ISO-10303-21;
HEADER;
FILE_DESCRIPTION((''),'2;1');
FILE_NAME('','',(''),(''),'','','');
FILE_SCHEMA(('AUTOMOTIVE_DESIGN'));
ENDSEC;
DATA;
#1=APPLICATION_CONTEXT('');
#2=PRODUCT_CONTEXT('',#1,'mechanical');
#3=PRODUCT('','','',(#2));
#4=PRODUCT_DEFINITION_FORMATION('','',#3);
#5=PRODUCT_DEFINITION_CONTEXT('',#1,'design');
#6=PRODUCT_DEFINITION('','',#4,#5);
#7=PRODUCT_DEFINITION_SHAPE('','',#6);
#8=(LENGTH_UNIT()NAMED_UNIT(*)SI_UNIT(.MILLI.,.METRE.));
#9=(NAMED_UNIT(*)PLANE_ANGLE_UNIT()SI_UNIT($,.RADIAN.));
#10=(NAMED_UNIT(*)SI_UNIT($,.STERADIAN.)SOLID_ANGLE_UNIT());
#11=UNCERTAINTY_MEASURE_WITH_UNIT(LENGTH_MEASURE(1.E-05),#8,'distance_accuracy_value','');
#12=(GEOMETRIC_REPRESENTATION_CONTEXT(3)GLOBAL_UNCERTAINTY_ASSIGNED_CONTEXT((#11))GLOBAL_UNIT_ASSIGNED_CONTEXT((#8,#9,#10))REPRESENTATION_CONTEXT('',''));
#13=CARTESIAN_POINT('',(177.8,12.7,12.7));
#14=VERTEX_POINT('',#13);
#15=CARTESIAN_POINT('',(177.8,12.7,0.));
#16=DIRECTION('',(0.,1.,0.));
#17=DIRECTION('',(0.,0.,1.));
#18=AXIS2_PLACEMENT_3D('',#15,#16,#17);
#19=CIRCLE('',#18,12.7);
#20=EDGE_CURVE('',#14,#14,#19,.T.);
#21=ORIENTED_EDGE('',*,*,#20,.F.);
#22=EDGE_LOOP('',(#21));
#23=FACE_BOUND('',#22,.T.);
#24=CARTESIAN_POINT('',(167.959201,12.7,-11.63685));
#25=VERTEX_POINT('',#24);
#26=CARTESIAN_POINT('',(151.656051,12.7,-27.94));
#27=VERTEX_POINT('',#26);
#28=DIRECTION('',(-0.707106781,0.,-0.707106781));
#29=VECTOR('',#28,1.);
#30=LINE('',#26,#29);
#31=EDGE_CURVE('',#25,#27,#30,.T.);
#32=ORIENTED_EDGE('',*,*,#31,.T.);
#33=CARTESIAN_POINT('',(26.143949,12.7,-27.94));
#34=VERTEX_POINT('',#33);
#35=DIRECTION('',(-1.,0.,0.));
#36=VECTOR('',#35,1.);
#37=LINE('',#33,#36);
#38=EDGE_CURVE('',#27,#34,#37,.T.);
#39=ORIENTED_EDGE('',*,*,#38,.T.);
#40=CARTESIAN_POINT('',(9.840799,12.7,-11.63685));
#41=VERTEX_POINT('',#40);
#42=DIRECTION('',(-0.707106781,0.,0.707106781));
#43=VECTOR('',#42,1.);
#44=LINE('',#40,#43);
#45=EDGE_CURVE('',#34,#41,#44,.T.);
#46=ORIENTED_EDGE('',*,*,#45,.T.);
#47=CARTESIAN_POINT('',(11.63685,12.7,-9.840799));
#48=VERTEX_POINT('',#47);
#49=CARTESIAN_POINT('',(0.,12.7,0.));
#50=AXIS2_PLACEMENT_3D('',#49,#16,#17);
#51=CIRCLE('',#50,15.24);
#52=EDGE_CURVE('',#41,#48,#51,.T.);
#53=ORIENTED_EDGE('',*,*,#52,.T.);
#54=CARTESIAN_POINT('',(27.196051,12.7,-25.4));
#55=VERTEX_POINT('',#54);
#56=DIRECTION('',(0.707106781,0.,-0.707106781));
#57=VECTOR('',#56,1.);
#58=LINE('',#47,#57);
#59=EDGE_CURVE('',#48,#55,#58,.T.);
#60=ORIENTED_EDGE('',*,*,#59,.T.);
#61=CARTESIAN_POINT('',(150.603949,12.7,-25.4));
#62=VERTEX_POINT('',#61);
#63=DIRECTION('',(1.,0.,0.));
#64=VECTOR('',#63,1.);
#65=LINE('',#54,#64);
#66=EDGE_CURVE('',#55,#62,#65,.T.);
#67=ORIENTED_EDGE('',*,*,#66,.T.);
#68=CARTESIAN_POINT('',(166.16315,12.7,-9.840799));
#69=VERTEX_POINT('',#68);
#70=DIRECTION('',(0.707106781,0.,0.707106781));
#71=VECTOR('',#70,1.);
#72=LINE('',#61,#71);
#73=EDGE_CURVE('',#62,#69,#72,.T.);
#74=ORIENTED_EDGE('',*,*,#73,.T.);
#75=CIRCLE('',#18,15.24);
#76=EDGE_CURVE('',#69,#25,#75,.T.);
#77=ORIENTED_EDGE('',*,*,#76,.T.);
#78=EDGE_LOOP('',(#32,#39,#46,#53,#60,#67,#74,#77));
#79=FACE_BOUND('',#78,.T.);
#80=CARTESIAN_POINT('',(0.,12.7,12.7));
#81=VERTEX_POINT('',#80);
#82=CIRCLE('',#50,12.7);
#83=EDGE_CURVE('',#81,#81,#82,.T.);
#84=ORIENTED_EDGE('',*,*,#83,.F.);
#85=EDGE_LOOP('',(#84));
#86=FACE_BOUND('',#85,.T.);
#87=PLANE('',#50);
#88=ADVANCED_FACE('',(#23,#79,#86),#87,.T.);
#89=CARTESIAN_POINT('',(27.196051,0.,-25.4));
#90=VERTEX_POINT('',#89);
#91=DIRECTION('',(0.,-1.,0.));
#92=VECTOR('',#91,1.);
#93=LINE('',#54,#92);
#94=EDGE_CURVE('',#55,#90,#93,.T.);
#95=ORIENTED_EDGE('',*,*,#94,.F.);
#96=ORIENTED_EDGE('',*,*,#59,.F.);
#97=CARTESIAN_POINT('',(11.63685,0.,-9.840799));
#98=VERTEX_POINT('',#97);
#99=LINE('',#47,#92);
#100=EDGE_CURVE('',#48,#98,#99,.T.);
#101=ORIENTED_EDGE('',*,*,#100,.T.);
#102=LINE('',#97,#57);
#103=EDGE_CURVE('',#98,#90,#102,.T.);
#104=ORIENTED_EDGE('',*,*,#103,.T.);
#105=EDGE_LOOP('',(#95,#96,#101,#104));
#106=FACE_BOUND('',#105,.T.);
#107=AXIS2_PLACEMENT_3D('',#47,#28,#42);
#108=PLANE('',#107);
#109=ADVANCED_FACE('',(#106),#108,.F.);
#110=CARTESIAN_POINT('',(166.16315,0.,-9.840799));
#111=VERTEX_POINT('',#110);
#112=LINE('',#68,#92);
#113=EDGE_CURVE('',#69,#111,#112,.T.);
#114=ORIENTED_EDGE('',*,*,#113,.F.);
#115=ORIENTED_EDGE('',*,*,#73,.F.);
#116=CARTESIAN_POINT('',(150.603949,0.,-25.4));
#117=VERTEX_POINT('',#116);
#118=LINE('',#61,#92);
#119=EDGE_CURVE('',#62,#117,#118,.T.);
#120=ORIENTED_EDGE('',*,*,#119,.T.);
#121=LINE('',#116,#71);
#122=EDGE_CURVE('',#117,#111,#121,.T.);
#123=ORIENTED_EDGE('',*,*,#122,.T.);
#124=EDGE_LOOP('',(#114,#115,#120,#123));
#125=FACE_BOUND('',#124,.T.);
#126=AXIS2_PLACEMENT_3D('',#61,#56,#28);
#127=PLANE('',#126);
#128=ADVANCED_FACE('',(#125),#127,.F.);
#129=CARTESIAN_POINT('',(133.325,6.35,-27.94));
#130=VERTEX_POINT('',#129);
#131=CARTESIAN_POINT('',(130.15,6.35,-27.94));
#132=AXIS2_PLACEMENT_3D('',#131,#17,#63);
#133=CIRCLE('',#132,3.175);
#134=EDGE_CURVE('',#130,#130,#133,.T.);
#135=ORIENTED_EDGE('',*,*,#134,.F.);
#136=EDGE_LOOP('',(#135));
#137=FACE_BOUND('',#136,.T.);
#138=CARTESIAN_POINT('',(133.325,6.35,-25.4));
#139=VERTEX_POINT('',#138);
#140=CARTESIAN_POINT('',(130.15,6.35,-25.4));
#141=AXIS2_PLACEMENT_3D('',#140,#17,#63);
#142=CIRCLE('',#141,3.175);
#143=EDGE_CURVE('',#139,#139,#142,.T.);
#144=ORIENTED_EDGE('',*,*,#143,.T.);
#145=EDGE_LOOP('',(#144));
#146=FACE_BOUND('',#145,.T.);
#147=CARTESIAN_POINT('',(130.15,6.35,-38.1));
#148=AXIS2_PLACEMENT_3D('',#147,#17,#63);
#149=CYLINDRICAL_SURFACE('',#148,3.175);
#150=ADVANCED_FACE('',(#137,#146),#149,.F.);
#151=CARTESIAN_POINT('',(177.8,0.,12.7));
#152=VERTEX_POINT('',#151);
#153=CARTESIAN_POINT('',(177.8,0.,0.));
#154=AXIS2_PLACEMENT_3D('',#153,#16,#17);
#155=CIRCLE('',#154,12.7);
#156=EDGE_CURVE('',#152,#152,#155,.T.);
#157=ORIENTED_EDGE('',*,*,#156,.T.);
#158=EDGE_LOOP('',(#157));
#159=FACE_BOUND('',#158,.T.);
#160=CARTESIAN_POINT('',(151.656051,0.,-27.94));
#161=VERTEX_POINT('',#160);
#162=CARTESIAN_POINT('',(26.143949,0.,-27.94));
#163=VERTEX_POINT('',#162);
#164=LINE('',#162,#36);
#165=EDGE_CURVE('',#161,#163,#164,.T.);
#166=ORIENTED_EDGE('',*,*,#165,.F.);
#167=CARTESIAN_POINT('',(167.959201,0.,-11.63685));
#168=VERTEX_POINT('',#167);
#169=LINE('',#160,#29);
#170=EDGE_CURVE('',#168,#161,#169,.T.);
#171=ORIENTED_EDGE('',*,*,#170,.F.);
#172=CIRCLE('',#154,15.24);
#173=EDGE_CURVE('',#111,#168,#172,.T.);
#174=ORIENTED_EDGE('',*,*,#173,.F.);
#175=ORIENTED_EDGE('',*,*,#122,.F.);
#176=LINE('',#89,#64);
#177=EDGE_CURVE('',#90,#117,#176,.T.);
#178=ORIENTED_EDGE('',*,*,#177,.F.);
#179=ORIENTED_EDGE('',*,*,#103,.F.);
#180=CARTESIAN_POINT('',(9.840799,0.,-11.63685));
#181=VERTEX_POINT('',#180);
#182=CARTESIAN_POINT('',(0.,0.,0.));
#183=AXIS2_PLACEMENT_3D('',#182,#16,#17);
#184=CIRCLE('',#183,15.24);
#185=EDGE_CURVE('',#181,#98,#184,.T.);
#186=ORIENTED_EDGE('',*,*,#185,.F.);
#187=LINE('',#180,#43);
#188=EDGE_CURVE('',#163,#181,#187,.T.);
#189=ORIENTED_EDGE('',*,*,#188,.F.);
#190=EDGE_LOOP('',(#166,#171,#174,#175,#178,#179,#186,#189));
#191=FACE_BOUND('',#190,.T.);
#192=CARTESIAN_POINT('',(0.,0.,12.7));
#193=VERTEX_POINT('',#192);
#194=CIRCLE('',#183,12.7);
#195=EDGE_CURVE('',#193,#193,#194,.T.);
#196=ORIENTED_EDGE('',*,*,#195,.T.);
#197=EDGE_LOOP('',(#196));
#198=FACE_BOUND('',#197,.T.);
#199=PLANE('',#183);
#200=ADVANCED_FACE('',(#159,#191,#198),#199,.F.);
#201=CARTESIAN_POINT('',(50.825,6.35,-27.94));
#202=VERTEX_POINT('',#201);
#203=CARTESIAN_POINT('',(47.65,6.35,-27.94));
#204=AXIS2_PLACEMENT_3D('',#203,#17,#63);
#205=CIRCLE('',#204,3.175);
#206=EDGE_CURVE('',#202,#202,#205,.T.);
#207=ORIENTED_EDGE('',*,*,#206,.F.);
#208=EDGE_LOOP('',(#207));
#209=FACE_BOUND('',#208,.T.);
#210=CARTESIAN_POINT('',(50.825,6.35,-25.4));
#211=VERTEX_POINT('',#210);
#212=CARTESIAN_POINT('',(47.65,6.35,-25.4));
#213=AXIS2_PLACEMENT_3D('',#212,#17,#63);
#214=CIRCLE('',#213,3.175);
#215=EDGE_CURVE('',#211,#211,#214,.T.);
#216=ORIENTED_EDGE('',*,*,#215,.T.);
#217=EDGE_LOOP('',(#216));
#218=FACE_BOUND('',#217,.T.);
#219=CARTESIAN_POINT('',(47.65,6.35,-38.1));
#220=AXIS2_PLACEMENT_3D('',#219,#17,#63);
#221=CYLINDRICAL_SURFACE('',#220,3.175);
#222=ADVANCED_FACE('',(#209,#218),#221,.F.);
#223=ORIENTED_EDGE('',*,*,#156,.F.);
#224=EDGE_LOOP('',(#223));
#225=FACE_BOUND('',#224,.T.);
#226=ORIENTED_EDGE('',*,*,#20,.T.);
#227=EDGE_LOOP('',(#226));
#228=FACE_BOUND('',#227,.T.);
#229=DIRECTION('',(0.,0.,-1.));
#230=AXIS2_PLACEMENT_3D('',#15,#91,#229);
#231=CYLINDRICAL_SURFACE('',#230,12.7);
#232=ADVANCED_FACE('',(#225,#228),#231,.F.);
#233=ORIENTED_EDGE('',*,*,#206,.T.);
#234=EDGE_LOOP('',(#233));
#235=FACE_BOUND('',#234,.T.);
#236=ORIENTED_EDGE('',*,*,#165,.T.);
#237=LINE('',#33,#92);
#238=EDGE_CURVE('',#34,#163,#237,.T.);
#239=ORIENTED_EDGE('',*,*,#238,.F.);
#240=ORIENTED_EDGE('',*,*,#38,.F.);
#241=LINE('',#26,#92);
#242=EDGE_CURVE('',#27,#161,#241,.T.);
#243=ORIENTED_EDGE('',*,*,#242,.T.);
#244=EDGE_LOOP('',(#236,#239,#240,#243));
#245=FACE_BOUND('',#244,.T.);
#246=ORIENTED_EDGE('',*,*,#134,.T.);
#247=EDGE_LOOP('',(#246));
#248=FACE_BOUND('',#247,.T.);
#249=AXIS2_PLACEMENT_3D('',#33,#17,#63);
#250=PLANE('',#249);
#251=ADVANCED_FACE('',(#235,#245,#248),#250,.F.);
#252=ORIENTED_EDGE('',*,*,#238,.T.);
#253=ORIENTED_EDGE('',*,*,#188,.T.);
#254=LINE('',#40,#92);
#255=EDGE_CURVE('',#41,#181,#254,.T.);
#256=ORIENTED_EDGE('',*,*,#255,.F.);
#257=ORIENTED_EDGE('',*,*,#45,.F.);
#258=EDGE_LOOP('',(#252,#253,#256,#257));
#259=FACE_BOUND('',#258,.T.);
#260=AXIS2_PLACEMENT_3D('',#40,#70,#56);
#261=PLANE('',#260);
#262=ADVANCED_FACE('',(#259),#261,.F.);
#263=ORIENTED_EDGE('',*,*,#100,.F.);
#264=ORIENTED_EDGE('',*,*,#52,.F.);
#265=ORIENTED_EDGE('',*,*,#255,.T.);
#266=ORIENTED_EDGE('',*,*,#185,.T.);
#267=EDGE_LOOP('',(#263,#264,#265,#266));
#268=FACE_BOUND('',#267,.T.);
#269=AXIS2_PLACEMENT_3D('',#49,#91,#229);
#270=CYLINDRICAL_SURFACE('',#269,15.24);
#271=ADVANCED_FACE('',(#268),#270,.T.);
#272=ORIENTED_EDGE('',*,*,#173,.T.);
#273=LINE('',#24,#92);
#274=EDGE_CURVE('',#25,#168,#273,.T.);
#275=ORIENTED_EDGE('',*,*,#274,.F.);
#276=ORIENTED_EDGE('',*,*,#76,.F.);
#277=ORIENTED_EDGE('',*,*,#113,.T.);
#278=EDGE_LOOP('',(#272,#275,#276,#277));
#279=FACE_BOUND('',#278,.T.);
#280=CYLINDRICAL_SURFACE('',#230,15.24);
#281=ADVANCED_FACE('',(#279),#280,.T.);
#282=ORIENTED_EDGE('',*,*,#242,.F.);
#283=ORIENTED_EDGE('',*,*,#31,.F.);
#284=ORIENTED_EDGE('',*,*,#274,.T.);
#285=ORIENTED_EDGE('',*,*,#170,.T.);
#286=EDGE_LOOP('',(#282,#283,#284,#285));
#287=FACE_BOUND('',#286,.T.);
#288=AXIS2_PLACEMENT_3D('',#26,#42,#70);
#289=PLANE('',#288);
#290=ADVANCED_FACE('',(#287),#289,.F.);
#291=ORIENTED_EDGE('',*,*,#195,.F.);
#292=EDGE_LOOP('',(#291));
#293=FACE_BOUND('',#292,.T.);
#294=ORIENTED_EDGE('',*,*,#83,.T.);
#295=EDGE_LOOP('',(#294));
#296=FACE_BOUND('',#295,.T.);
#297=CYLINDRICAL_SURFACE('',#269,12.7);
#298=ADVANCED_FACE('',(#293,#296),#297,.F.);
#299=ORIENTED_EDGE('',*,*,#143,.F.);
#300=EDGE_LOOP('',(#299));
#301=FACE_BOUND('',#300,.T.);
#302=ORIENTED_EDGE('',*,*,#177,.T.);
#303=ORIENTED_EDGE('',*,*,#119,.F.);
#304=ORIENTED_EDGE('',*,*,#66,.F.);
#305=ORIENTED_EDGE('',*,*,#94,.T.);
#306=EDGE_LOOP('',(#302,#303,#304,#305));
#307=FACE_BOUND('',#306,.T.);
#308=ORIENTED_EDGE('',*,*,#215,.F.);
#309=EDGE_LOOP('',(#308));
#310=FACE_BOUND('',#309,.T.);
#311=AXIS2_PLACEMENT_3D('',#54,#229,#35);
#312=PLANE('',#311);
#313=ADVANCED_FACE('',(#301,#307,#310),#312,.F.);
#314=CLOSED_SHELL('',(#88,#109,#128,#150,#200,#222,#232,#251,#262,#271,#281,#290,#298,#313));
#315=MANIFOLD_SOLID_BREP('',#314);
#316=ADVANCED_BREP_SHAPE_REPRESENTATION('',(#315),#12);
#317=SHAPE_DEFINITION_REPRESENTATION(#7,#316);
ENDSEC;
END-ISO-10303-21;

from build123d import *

# Parameters (mm, degrees)
SKETCH1_R           = 12.7
BOSS_EXTRUDE1_DEPTH = 12.7
SKETCH2_R           = 3.175
CUT_EXTRUDE1_DEPTH  = 12.7


with BuildPart() as part:
    # Sketch1 → Boss-Extrude1 (new body)
    with BuildSketch(Plane(origin=(0, 0, 0), x_dir=(1, 0, 0), z_dir=(0, 1, 0))):
        with BuildLine():
            Line((11.636850036, 9.840798811), (27.196051224, 25.4))
            Line((27.196051224, 25.4), (150.603948776, 25.4))
            Line((150.603948776, 25.4), (166.163149964, 9.840798811))
            ThreePointArc((166.163149964, 9.840798811), (188.576307345, -10.776307345), (167.959201189, 11.636850036))
            Line((167.959201189, 11.636850036), (151.656051224, 27.94))
            Line((151.656051224, 27.94), (26.143948776, 27.94))
            Line((26.143948776, 27.94), (9.840798811, 11.636850036))
            ThreePointArc((9.840798811, 11.636850036), (-10.776307345, -10.776307345), (11.636850036, 9.840798811))
        make_face()
        Circle(SKETCH1_R, mode=Mode.SUBTRACT)
        with Locations((177.8, 0)):
            Circle(SKETCH1_R, mode=Mode.SUBTRACT)
    extrude(amount=BOSS_EXTRUDE1_DEPTH)

    # Sketch2 → Cut-Extrude1 (cut)
    with BuildSketch(Plane.XY.offset(-25.4)):
        with Locations((47.64999995, 6.35)):
            Circle(SKETCH2_R)
        with Locations((130.15000005, 6.35)):
            Circle(SKETCH2_R)
    extrude(amount=-CUT_EXTRUDE1_DEPTH, mode=Mode.SUBTRACT)


solid = part.part
